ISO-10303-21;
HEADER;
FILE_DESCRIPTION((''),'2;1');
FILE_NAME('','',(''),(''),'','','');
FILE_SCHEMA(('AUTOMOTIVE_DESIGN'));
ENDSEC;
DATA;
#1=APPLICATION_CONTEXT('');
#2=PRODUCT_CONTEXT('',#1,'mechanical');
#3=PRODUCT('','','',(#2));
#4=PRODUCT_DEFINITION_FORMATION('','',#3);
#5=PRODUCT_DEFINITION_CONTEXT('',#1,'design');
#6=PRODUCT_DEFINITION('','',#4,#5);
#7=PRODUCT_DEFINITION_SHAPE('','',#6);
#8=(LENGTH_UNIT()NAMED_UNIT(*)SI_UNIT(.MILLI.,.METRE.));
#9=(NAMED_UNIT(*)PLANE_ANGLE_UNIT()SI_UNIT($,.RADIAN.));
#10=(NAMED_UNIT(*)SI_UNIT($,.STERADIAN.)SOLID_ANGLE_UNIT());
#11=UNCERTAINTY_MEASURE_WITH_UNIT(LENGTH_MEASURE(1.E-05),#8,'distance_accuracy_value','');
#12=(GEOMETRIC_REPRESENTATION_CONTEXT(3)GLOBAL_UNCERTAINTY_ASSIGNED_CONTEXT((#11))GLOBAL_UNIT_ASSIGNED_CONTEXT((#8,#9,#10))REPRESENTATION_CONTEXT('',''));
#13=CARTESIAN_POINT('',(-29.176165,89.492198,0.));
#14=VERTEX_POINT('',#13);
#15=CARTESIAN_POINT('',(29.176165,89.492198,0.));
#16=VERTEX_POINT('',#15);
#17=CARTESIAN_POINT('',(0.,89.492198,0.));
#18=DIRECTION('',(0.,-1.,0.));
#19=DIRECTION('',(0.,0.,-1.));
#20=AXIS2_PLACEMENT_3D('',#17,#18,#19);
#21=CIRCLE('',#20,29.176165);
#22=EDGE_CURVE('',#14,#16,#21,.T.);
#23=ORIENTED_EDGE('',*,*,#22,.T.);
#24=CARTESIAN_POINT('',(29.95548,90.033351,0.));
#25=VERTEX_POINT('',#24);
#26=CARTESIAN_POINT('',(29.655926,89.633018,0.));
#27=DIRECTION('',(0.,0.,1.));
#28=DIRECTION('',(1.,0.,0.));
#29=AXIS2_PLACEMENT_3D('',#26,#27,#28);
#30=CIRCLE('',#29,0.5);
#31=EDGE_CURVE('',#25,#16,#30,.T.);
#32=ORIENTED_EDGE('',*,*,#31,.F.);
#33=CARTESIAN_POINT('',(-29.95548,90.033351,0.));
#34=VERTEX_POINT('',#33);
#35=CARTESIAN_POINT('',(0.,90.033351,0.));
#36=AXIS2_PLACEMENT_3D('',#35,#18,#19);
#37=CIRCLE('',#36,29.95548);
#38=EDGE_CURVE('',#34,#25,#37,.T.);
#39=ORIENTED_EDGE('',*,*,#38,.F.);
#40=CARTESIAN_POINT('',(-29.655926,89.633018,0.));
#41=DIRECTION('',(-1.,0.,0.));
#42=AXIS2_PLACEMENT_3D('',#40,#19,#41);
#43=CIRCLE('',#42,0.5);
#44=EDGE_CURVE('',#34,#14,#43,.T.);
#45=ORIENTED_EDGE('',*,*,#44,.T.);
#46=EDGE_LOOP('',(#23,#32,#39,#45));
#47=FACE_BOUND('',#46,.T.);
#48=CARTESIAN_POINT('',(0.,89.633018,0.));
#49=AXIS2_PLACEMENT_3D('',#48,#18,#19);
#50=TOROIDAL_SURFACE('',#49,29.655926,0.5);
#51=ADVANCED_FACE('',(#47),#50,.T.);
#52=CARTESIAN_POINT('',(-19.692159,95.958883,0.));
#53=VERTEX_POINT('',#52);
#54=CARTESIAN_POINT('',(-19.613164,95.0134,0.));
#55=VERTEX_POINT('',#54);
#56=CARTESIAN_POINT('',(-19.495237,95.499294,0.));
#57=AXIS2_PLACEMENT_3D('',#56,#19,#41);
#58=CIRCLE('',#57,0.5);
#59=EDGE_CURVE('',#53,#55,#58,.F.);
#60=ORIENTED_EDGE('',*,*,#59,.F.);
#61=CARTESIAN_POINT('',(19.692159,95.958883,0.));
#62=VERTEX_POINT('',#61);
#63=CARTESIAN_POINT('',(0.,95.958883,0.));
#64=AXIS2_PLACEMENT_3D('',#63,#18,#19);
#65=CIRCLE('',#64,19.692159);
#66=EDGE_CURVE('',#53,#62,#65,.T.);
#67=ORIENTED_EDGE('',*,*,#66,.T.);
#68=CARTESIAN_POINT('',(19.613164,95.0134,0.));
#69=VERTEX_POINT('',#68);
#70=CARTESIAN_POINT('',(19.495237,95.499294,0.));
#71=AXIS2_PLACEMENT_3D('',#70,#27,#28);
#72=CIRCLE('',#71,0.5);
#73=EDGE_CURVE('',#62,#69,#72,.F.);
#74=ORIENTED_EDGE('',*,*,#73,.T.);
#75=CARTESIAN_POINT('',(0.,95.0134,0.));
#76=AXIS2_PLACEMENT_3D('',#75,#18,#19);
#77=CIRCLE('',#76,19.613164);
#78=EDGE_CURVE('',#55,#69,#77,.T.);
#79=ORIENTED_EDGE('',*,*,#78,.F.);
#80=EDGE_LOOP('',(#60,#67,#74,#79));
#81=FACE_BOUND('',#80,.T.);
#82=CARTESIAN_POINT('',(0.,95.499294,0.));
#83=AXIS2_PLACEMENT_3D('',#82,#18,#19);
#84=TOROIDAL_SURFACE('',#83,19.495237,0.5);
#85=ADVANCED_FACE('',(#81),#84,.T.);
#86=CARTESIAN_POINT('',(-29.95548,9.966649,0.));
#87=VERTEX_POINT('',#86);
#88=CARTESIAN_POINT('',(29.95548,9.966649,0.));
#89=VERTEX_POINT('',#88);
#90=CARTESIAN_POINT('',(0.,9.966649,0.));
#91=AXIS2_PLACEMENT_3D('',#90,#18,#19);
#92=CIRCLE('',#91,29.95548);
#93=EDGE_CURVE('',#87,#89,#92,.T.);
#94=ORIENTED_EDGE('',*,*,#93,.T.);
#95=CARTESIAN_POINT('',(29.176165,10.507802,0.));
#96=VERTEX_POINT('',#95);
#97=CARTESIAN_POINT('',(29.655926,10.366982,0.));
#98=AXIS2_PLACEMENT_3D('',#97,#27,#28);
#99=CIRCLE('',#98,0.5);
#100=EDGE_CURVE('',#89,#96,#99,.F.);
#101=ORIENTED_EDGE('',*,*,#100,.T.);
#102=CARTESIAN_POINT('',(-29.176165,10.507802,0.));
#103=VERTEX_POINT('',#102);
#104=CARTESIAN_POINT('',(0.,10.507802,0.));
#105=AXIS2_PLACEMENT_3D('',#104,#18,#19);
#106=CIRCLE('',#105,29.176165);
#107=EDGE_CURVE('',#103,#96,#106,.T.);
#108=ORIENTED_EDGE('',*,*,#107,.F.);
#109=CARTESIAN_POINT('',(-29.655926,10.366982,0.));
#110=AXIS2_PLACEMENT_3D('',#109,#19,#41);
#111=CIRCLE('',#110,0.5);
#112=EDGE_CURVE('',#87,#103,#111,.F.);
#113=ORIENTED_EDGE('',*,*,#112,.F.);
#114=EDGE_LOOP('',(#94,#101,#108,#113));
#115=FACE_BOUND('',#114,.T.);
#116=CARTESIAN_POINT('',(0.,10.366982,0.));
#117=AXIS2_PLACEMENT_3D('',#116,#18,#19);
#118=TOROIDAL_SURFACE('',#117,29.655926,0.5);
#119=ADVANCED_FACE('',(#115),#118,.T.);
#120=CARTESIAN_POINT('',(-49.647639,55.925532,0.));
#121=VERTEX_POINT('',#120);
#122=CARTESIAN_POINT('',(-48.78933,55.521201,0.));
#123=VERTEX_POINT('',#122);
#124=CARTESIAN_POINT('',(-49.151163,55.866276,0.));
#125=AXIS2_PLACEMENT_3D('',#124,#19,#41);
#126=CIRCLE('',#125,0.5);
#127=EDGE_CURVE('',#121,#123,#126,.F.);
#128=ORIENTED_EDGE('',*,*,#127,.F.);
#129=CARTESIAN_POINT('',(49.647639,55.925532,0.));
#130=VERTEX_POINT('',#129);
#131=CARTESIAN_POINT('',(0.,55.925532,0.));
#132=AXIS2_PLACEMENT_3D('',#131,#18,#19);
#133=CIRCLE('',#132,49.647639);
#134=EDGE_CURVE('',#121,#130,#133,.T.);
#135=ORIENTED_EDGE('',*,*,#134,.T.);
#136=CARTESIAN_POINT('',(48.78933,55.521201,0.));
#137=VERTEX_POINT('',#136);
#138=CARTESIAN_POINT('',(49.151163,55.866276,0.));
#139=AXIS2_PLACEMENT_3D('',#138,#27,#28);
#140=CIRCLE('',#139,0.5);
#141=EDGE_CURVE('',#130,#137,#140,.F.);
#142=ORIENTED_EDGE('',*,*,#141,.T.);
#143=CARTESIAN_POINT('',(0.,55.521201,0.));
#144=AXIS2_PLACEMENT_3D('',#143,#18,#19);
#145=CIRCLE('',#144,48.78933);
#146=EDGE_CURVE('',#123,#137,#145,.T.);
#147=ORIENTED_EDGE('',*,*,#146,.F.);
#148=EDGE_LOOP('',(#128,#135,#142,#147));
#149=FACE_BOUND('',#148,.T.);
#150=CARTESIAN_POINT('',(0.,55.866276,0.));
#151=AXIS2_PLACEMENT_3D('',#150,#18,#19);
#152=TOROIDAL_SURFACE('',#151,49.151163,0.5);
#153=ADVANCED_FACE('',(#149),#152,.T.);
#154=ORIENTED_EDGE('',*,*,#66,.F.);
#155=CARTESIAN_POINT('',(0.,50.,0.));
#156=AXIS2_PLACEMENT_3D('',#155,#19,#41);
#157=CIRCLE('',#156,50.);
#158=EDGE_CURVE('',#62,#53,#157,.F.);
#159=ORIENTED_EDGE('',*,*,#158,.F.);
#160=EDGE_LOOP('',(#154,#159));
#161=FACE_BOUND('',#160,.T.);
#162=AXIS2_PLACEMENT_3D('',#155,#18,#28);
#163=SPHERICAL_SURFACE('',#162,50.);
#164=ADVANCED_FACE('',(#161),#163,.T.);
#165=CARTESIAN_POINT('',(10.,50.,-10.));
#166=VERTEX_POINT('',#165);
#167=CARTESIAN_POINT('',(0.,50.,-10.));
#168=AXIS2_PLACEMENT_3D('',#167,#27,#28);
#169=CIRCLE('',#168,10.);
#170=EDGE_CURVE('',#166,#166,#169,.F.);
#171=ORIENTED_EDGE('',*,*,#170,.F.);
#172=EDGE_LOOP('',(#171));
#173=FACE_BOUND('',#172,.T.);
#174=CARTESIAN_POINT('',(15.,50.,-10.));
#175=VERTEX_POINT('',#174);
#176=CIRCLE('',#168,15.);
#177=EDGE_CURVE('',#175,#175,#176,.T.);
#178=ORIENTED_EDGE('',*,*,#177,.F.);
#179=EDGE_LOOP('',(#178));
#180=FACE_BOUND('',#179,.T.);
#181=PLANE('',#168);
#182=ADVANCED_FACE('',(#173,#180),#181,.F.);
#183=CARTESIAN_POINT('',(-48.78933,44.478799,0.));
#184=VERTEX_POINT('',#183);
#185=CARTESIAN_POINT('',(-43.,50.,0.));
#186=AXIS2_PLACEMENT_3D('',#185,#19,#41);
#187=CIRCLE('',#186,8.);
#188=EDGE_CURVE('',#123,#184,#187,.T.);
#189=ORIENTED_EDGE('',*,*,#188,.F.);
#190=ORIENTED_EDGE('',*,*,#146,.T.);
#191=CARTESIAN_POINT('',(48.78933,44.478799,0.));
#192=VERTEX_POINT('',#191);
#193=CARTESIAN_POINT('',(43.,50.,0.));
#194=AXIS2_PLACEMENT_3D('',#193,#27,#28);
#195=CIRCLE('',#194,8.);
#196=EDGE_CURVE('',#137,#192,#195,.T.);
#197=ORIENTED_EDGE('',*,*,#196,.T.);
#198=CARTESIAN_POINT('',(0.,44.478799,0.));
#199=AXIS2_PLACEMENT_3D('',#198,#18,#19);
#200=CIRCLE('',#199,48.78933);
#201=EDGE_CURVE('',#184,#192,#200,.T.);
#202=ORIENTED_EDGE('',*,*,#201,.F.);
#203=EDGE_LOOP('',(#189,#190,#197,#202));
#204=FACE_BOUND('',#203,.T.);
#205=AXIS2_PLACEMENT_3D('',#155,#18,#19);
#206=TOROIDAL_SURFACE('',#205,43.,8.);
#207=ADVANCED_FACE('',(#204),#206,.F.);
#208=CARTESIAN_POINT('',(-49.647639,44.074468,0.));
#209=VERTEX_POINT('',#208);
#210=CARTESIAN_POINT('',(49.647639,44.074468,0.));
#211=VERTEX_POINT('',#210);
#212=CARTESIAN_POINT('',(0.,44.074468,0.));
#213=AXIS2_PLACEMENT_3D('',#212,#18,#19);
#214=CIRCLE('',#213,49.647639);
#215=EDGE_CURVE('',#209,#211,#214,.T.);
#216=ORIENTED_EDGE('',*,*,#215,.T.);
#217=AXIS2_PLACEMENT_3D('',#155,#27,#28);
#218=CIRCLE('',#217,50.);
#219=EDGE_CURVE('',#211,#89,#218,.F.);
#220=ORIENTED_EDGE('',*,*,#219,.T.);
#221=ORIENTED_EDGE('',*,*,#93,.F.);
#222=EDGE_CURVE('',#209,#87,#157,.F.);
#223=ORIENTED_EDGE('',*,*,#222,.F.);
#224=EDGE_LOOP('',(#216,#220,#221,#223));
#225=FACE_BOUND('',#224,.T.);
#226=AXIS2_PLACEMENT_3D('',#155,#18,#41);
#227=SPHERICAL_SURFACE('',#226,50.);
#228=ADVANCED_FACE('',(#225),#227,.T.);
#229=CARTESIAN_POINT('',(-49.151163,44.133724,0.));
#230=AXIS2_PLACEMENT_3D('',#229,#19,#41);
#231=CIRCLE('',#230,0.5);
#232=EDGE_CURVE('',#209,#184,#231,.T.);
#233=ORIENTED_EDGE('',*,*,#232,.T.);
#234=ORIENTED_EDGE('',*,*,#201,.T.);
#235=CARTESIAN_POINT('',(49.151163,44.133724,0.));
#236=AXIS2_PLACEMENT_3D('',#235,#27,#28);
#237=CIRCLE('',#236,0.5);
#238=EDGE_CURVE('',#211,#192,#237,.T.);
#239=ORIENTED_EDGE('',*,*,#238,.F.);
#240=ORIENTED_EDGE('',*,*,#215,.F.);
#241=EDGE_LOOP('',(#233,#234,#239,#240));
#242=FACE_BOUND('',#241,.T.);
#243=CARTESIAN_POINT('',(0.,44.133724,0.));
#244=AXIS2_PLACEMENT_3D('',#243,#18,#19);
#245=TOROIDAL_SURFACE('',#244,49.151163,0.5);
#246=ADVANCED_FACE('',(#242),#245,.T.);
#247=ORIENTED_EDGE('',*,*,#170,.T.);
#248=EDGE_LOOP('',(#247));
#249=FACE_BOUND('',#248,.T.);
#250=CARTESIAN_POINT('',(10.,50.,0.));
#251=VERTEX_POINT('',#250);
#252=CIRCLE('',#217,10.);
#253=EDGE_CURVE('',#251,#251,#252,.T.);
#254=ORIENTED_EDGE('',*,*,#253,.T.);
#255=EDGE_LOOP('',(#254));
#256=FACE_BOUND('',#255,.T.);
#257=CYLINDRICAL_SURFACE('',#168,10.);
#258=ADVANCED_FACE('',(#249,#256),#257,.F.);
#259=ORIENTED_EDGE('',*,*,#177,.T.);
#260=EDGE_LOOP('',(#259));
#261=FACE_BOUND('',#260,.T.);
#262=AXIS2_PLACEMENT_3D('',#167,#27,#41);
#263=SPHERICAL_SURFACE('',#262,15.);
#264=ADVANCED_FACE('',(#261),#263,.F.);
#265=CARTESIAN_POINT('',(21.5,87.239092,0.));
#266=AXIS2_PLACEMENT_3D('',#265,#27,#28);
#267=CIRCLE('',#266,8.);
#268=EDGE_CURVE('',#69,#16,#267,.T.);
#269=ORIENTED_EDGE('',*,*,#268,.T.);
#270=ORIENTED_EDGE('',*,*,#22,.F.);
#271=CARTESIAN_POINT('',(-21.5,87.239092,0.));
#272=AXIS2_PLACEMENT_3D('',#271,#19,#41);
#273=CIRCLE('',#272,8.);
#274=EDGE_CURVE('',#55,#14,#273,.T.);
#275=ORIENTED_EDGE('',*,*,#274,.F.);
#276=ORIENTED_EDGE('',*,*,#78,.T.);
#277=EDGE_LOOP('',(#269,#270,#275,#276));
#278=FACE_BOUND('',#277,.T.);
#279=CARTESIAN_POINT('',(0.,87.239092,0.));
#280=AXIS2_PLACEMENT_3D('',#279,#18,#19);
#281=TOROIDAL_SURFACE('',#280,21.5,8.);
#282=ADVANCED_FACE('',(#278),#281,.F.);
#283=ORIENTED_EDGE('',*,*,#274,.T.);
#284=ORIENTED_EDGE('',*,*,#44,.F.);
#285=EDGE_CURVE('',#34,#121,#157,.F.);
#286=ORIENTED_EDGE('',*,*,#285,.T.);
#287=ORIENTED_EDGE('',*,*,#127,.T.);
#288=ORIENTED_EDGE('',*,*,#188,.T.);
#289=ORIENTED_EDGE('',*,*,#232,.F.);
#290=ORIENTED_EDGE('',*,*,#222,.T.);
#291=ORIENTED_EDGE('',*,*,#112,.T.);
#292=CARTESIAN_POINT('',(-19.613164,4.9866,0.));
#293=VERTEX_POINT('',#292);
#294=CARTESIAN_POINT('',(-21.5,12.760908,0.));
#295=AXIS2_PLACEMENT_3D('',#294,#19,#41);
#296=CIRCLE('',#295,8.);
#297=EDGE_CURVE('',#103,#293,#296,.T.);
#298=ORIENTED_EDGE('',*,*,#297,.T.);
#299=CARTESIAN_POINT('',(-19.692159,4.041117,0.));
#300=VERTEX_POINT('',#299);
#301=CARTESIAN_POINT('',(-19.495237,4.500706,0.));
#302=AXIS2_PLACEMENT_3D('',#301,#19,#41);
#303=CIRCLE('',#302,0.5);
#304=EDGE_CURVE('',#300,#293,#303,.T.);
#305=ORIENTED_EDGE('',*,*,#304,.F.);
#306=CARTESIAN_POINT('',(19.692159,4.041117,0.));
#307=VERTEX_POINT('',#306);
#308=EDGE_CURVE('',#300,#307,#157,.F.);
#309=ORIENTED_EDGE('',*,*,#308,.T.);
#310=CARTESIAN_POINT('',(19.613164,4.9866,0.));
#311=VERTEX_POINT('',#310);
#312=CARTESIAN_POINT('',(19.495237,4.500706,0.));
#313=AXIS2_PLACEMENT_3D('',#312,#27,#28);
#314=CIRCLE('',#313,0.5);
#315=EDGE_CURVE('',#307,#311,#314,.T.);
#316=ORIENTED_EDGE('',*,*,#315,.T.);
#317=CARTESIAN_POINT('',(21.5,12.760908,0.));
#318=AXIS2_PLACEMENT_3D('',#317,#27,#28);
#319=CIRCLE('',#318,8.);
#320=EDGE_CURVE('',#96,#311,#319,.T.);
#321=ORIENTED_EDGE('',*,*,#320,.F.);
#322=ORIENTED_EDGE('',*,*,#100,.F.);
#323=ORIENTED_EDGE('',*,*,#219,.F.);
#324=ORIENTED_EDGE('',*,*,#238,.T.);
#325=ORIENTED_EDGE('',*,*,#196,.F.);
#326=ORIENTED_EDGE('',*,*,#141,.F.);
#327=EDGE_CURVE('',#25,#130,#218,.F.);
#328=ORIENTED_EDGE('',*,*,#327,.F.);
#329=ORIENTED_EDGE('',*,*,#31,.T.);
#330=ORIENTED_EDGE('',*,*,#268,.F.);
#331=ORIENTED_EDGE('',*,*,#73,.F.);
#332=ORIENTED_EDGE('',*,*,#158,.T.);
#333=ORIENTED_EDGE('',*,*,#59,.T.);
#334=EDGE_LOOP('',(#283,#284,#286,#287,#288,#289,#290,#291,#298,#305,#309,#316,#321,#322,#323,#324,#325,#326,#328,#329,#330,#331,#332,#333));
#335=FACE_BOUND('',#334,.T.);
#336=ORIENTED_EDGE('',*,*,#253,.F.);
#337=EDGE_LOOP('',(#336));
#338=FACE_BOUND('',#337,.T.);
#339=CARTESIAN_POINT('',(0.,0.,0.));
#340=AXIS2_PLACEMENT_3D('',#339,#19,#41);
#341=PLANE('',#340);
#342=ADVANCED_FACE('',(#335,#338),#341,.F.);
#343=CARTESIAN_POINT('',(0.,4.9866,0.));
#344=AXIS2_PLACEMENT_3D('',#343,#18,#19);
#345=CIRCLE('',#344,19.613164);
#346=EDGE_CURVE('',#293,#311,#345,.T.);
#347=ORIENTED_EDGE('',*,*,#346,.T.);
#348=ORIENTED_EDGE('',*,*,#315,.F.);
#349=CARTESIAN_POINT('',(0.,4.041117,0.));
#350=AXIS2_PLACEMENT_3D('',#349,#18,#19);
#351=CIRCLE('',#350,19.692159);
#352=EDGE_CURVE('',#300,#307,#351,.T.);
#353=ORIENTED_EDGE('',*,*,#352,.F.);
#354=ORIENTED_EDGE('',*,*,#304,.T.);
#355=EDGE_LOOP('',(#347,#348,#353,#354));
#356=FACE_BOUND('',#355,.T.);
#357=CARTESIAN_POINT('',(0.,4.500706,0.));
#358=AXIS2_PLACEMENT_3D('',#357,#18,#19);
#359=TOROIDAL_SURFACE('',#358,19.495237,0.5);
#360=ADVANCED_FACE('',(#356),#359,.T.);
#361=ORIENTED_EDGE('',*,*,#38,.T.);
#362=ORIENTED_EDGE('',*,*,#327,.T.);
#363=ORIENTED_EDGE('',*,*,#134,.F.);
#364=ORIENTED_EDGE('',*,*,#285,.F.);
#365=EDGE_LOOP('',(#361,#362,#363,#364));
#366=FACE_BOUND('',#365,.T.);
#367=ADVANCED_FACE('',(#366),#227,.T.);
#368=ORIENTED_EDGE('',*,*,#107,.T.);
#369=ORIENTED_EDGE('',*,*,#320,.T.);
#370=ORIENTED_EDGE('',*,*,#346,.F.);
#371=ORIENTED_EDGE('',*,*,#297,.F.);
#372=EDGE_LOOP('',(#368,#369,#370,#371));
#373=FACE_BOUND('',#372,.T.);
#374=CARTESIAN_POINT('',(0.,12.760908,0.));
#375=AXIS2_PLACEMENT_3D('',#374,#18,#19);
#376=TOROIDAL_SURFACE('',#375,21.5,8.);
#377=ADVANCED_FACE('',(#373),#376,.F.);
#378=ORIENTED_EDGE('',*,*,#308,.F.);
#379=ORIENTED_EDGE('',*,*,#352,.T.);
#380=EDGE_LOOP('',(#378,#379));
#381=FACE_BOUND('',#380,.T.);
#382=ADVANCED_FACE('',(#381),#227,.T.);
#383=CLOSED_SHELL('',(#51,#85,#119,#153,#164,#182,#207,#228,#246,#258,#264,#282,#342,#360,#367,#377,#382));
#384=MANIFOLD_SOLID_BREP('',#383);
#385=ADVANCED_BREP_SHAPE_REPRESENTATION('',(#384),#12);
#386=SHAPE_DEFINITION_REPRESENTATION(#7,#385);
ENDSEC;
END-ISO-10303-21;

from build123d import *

# Parameters (mm, degrees)
REVOLVE2_ANGLE     = 180
SKETCH2_R          = 10
CUT_EXTRUDE1_DEPTH = 10


with BuildPart() as part:
    # Sketch1 → Revolve2 (revolve)
    with BuildSketch(Plane.XY):
        with BuildLine():
            Line((0, 100), (0, 0))
            ThreePointArc((0, 0), (10.05126544, 1.020697606), (19.692158778, 4.041117478))
            ThreePointArc((19.692158778, 4.041117478), (19.993501156, 4.542335866), (19.613164414, 4.986600499))
            ThreePointArc((19.613164414, 4.986600499), (17.5, 19.689110868), (29.176165271, 10.507801618))
            ThreePointArc((29.176165271, 10.507801618), (29.370741359, 9.956288021), (29.955480404, 9.966648982))
            ThreePointArc((29.955480404, 9.966648982), (43.301270189, 25), (49.647639183, 44.074468496))
            ThreePointArc((49.647639183, 44.074468496), (49.364242515, 44.586047845), (48.789329685, 44.478798881))
            ThreePointArc((48.789329685, 44.478798881), (35, 50), (48.789329685, 55.521201119))
            ThreePointArc((48.789329685, 55.521201119), (49.364242515, 55.413952155), (49.647639183, 55.925531504))
            ThreePointArc((49.647639183, 55.925531504), (43.301270189, 75), (29.955480404, 90.033351018))
            ThreePointArc((29.955480404, 90.033351018), (29.370741359, 90.043711979), (29.176165271, 89.492198382))
            ThreePointArc((29.176165271, 89.492198382), (17.5, 80.310889132), (19.613164414, 95.013399501))
            ThreePointArc((19.613164414, 95.013399501), (19.993501156, 95.457664134), (19.692158778, 95.958882522))
            ThreePointArc((19.692158778, 95.958882522), (10.05126544, 98.979302394), (0, 100))
        make_face()
    revolve(axis=Axis((0, 47.658177132, 0), (0, 1, 0)), revolution_arc=REVOLVE2_ANGLE)

    # Sketch2 → Cut-Extrude1 (cut)
    with BuildSketch(Plane.XY):
        with Locations((0, 50)):
            Circle(SKETCH2_R)
    extrude(amount=-CUT_EXTRUDE1_DEPTH, mode=Mode.SUBTRACT)

    # Sketch5 → Cut-Revolve2 (revolve, cut)
    with BuildSketch(Plane(origin=(0, 50, 0), x_dir=(1, 0, 0), z_dir=(0, 1, 0))):
        with BuildLine():
            ThreePointArc((0, 25), (10.606601718, 20.606601718), (15, 10))
            Line((15, 10), (0, 10))
            Line((0, 10), (0, 25))
        make_face()
    revolve(axis=Axis((0, 50, 0), (0, 0, -1)), mode=Mode.SUBTRACT)


solid = part.part
